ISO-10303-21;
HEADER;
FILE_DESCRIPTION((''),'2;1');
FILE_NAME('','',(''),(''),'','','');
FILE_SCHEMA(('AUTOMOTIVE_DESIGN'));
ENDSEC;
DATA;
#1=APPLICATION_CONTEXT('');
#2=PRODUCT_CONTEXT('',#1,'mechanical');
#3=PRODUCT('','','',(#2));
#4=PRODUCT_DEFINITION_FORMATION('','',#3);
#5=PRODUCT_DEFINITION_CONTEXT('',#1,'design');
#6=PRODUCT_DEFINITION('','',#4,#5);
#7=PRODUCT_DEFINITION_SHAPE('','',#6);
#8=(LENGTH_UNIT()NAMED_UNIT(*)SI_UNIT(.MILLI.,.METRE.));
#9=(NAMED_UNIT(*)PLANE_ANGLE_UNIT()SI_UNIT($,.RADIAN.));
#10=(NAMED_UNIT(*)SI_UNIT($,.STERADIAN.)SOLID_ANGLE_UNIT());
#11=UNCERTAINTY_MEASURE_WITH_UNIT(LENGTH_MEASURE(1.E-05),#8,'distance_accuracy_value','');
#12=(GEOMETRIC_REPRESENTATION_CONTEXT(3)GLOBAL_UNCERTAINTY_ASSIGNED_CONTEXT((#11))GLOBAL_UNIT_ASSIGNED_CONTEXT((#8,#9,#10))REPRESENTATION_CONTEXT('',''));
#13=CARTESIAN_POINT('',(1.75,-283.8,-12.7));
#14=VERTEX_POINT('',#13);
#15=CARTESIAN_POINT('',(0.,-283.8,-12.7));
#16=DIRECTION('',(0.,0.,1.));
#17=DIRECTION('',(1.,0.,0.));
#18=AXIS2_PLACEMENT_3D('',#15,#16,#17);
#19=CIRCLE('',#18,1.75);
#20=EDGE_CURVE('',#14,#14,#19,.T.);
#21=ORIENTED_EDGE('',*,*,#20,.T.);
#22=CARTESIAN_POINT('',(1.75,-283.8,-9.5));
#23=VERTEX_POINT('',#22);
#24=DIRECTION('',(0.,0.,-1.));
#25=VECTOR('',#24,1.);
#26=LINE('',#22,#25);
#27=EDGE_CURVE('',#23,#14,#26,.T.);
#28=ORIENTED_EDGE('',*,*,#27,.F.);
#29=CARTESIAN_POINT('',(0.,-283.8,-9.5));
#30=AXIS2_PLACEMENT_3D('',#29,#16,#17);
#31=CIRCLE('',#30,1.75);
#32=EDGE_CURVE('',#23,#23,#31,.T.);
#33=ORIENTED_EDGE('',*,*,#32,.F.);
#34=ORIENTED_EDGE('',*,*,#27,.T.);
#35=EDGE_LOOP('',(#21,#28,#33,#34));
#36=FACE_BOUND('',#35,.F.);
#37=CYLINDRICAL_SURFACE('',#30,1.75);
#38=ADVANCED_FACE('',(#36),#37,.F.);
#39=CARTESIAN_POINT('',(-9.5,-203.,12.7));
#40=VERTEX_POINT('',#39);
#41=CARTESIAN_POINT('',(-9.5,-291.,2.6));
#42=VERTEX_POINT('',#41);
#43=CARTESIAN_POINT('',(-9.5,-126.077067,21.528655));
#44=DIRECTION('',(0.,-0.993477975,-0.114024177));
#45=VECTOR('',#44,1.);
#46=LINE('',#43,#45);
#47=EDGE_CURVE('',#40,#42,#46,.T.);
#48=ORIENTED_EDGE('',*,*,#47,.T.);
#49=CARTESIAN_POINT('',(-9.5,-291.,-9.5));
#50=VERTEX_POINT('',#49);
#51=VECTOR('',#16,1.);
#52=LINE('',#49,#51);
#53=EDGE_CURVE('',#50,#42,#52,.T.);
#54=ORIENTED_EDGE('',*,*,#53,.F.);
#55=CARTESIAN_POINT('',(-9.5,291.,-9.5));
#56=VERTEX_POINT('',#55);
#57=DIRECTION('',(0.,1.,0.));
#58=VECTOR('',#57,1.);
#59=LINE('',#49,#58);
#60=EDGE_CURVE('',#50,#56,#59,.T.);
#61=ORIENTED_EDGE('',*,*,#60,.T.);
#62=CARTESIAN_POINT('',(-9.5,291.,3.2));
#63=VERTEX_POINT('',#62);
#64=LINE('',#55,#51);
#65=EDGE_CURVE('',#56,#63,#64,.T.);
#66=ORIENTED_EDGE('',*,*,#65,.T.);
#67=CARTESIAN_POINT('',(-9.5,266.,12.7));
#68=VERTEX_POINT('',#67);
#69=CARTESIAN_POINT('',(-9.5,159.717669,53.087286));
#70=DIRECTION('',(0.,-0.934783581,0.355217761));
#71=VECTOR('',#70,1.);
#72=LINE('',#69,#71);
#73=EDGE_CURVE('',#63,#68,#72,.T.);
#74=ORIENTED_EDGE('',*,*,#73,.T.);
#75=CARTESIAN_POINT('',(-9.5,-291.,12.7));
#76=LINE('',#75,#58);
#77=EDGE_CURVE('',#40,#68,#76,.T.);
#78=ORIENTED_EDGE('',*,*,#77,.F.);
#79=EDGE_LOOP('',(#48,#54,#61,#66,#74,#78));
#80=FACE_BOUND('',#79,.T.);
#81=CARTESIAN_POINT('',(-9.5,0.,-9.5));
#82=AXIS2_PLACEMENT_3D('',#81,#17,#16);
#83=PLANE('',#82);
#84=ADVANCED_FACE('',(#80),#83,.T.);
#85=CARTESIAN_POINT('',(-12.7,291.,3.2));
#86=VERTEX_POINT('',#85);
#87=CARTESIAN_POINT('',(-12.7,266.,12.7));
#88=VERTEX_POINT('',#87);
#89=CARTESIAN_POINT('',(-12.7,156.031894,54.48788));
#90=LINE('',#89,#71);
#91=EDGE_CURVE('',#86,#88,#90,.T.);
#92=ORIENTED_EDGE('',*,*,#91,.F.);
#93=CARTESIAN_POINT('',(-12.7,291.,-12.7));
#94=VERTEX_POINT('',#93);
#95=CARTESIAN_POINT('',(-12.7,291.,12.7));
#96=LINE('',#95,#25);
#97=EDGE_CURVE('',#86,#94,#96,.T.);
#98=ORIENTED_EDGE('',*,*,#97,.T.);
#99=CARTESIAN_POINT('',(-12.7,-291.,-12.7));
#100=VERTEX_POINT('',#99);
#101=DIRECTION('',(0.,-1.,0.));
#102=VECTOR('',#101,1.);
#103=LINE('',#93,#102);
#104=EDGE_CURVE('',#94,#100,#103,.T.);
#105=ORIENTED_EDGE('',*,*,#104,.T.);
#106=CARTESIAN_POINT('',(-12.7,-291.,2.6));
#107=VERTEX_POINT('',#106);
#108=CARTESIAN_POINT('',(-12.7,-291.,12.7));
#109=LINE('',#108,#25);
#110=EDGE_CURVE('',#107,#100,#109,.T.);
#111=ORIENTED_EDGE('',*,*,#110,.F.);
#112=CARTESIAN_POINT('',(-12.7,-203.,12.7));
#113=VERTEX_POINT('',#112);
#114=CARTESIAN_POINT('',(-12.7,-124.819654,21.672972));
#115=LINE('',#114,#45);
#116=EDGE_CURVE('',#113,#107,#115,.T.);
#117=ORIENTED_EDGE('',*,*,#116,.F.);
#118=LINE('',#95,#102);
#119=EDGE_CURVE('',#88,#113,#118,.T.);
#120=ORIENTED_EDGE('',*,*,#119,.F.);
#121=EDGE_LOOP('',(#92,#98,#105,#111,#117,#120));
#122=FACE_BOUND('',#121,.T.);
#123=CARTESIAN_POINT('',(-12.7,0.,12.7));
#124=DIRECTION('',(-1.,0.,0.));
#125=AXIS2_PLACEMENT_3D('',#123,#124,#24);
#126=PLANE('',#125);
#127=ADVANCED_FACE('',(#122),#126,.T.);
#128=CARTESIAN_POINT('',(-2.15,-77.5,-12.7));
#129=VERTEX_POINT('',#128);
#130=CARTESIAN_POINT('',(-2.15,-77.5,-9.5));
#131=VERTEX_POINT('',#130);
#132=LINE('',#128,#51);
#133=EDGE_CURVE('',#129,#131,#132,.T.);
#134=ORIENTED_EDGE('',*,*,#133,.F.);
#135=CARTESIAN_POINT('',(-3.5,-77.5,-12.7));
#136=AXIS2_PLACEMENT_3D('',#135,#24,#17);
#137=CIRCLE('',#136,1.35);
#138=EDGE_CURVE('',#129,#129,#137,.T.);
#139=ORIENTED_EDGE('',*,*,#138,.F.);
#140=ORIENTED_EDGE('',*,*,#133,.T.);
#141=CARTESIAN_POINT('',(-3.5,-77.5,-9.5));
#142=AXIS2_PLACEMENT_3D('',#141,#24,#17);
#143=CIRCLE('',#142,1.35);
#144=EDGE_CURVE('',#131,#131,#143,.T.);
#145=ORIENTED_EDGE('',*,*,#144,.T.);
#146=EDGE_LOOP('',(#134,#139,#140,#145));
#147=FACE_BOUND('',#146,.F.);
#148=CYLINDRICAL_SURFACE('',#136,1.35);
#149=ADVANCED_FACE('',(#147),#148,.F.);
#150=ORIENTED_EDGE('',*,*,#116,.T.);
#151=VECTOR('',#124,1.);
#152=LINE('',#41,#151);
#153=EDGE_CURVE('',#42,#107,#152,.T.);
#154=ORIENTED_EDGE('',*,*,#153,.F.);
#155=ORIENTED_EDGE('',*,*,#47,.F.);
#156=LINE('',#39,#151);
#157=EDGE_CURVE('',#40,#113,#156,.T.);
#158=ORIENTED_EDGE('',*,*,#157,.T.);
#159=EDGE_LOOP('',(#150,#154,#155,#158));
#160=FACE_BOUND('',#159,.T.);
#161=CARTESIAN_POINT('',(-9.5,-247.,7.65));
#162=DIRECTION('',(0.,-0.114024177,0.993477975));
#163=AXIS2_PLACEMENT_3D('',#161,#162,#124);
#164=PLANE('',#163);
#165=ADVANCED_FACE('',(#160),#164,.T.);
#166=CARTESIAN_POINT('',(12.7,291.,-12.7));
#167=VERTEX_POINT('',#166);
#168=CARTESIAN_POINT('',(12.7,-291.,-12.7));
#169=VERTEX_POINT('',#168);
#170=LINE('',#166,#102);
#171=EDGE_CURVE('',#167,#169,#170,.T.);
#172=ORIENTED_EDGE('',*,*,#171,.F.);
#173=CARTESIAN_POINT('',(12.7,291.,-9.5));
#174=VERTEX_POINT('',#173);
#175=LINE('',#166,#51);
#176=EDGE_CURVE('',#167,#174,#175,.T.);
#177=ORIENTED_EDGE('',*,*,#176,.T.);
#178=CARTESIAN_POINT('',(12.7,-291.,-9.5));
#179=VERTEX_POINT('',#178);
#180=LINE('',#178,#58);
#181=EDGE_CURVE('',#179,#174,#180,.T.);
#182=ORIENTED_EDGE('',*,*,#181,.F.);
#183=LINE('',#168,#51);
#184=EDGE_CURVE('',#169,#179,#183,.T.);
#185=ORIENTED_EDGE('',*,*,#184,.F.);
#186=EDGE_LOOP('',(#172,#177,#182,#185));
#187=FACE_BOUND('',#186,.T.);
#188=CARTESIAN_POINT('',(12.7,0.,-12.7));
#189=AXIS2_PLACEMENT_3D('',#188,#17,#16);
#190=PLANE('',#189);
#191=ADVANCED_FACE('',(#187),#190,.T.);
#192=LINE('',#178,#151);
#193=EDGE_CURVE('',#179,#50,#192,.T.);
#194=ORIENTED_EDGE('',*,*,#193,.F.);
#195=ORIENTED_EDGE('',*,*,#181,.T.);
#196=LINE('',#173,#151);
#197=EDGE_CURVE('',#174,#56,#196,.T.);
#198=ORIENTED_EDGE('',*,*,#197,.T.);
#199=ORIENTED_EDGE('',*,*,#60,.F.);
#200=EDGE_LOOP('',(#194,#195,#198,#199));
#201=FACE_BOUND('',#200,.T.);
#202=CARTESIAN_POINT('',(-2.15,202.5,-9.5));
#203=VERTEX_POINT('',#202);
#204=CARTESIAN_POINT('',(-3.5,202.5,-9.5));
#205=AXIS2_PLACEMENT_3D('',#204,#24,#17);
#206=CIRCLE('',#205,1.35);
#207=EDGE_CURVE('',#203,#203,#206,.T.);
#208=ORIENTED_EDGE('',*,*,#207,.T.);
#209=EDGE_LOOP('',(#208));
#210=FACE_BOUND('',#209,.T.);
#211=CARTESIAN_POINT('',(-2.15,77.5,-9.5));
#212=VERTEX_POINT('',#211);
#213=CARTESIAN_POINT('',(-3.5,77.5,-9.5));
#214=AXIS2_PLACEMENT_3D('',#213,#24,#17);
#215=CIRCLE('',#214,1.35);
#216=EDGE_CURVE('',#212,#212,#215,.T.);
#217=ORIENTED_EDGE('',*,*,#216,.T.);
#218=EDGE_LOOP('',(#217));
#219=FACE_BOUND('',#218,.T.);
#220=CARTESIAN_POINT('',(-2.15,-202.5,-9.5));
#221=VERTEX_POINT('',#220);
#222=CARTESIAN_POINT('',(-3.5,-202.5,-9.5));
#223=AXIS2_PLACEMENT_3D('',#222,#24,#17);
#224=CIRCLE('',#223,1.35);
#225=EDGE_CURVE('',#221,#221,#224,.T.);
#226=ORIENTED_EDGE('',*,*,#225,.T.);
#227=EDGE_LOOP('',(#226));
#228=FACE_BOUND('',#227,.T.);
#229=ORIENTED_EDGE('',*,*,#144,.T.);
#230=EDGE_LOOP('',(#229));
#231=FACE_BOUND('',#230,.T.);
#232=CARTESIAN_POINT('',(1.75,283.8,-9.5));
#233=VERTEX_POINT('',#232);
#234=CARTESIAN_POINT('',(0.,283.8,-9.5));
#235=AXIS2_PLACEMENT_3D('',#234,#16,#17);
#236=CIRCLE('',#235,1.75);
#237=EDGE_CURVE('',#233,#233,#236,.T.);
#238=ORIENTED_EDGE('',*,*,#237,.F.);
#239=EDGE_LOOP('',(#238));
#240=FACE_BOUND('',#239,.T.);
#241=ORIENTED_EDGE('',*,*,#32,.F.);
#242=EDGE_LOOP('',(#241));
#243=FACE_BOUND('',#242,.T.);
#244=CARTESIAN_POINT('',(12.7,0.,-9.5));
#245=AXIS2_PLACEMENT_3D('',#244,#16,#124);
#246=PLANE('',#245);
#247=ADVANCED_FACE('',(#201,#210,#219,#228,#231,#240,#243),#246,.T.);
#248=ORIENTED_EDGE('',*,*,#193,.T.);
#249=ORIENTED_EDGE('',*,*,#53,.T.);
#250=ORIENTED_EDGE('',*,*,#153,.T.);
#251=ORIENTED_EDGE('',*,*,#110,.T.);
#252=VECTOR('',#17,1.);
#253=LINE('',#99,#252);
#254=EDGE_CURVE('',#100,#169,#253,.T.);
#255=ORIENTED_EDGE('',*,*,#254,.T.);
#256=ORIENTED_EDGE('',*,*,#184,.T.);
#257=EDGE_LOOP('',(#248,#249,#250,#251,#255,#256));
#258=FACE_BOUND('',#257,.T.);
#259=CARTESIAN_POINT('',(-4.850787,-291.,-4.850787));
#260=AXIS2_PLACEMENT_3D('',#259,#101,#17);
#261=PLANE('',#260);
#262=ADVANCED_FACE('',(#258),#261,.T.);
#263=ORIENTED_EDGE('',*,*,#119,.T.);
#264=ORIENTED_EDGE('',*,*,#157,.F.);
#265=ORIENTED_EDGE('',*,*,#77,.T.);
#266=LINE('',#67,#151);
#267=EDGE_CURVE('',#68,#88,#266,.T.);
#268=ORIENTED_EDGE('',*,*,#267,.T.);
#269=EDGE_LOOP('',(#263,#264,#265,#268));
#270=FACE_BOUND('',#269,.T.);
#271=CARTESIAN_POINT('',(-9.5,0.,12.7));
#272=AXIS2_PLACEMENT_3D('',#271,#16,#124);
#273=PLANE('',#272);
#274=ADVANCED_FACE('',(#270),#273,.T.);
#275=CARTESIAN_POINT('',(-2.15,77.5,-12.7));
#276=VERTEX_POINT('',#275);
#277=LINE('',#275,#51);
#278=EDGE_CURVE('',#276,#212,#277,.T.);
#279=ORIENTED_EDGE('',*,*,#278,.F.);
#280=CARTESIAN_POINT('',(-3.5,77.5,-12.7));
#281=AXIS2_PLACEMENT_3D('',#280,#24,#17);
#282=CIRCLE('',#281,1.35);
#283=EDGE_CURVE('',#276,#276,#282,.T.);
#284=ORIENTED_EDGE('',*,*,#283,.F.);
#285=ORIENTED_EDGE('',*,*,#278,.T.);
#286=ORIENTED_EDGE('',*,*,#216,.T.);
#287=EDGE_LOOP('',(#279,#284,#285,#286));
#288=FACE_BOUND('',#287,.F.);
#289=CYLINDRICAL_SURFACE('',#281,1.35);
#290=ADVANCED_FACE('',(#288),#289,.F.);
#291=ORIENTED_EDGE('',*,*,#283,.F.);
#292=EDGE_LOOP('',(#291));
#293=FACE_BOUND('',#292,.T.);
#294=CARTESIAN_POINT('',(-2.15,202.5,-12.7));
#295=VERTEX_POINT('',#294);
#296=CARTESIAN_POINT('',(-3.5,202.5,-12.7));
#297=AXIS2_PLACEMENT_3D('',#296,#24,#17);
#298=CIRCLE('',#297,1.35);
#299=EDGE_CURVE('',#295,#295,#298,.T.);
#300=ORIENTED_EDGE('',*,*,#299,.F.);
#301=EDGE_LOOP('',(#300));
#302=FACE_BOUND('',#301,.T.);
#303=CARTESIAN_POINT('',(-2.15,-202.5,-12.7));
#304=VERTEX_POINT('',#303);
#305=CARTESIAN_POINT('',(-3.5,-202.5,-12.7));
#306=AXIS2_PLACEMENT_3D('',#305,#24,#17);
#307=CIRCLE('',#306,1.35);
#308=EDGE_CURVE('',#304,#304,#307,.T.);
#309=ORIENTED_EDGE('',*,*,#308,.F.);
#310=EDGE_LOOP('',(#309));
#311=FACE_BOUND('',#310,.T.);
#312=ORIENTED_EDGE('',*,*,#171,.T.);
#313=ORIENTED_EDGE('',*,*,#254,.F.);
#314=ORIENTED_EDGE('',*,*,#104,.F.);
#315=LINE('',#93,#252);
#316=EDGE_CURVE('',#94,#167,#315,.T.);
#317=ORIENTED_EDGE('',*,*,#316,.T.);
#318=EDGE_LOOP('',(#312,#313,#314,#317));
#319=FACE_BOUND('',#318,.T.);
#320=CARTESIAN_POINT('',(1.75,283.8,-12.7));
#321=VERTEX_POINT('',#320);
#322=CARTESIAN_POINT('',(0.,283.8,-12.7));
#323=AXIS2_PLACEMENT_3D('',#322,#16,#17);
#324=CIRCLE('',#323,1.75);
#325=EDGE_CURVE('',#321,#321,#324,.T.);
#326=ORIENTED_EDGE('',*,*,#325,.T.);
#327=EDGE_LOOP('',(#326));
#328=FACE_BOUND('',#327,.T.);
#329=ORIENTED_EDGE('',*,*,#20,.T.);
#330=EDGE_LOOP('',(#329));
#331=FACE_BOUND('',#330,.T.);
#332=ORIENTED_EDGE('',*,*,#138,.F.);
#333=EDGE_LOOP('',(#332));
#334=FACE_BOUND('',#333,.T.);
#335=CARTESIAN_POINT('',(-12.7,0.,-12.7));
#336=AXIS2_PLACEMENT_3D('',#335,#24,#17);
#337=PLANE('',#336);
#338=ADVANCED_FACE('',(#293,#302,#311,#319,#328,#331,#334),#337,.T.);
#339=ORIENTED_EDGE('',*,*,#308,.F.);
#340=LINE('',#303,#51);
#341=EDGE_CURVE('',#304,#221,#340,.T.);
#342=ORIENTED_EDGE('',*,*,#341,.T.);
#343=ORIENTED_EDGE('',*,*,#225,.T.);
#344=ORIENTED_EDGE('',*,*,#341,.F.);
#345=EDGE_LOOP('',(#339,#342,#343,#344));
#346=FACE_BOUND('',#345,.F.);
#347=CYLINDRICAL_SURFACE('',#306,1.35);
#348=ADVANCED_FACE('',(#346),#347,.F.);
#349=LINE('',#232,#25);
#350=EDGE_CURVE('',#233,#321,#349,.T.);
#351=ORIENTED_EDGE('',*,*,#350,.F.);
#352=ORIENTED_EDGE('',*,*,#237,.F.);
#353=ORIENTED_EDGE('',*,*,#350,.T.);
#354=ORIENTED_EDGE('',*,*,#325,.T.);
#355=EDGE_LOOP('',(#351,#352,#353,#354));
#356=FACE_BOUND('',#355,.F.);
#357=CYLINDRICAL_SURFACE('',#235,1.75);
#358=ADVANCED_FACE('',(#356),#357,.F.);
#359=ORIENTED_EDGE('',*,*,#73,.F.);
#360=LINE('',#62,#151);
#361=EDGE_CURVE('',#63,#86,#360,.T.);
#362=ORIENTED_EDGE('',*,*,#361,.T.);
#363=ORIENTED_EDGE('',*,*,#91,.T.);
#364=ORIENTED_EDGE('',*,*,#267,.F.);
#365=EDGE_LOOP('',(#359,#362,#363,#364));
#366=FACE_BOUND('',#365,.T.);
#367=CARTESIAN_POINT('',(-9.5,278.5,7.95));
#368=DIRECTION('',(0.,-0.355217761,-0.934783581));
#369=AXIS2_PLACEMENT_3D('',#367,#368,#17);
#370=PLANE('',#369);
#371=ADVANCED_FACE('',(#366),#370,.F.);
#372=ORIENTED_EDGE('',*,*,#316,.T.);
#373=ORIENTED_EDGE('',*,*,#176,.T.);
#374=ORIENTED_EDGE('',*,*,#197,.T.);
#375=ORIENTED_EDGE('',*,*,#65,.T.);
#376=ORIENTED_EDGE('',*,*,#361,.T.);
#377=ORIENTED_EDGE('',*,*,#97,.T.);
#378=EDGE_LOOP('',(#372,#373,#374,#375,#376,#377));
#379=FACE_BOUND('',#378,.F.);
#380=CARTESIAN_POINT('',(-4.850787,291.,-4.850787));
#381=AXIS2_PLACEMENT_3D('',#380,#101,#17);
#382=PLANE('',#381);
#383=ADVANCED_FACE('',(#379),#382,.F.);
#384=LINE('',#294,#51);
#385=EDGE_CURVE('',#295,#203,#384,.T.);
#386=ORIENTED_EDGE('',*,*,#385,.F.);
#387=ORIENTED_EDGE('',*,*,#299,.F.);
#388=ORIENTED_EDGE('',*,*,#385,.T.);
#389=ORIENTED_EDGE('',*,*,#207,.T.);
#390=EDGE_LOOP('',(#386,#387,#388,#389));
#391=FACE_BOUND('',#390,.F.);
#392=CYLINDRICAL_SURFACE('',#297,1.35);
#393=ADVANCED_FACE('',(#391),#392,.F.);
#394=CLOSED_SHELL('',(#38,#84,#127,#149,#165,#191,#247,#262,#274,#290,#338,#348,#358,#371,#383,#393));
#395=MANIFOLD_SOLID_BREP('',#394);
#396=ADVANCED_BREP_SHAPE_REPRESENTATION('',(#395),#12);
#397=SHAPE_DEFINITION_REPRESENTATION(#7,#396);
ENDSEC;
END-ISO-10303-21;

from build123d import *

# Parameters (mm, degrees)
F1_DEPTH = 291
F3_SIZE2 = 10.1
F3_SIZE  = 88
F4_SIZE2 = 25
F4_SIZE  = 9.5
F5_R     = 1.75
F6_DEPTH = 3.2
F2_R     = 1.35
F7_DEPTH = 25.401


with BuildPart() as f1:
    # F0 (on Front) → F1 (new body, symmetric)
    with BuildSketch(Plane.XZ):
        Polygon((-9.5, 12.7), (-12.7, 12.7), (-12.7, -12.7), (12.7, -12.7), (12.7, -9.5), (-9.5, -9.5), align=None)
    extrude(amount=F1_DEPTH, both=True)

    # F3
    f3_edges = [f1.edges().sort_by_distance(p)[0] for p in [
        (-11.1, -291, 12.7),
    ]]
    f3_side = f1.faces().sort_by_distance((-11.1, 0, 12.7))[0]
    chamfer(f3_edges, length=F3_SIZE, length2=F3_SIZE2, reference=f3_side)

    # F4
    f4_edges = [f1.edges().sort_by_distance(p)[0] for p in [
        (-11.1, 291, 12.7),
    ]]
    f4_side = f1.faces().sort_by_distance((-11.1, 291, 12.34079))[0]
    chamfer(f4_edges, length=F4_SIZE, length2=F4_SIZE2, reference=f4_side)

    # F5 (on face) → F6 (cut, through all)
    with BuildSketch(Plane.XY.offset(-9.5)):
        with Locations((0, -283.8)):
            Circle(F5_R)
        with Locations((0, 283.8)):
            Circle(F5_R)
    extrude(amount=-F6_DEPTH, mode=Mode.SUBTRACT)

    # F2 (on face) → F7 (cut, through all)
    with BuildSketch(Plane(origin=(0, 0, -12.7), x_dir=(1, 0, 0), z_dir=(0, 0, -1))):
        with Locations((-3.5, 77.5)):
            Circle(F2_R)
        with Locations((-3.5, -77.5)):
            Circle(F2_R)
        with Locations((-3.5, -202.5)):
            Circle(F2_R)
        with Locations((-3.5, 202.5)):
            Circle(F2_R)
    extrude(amount=-F7_DEPTH, mode=Mode.SUBTRACT)


solid = f1.part
